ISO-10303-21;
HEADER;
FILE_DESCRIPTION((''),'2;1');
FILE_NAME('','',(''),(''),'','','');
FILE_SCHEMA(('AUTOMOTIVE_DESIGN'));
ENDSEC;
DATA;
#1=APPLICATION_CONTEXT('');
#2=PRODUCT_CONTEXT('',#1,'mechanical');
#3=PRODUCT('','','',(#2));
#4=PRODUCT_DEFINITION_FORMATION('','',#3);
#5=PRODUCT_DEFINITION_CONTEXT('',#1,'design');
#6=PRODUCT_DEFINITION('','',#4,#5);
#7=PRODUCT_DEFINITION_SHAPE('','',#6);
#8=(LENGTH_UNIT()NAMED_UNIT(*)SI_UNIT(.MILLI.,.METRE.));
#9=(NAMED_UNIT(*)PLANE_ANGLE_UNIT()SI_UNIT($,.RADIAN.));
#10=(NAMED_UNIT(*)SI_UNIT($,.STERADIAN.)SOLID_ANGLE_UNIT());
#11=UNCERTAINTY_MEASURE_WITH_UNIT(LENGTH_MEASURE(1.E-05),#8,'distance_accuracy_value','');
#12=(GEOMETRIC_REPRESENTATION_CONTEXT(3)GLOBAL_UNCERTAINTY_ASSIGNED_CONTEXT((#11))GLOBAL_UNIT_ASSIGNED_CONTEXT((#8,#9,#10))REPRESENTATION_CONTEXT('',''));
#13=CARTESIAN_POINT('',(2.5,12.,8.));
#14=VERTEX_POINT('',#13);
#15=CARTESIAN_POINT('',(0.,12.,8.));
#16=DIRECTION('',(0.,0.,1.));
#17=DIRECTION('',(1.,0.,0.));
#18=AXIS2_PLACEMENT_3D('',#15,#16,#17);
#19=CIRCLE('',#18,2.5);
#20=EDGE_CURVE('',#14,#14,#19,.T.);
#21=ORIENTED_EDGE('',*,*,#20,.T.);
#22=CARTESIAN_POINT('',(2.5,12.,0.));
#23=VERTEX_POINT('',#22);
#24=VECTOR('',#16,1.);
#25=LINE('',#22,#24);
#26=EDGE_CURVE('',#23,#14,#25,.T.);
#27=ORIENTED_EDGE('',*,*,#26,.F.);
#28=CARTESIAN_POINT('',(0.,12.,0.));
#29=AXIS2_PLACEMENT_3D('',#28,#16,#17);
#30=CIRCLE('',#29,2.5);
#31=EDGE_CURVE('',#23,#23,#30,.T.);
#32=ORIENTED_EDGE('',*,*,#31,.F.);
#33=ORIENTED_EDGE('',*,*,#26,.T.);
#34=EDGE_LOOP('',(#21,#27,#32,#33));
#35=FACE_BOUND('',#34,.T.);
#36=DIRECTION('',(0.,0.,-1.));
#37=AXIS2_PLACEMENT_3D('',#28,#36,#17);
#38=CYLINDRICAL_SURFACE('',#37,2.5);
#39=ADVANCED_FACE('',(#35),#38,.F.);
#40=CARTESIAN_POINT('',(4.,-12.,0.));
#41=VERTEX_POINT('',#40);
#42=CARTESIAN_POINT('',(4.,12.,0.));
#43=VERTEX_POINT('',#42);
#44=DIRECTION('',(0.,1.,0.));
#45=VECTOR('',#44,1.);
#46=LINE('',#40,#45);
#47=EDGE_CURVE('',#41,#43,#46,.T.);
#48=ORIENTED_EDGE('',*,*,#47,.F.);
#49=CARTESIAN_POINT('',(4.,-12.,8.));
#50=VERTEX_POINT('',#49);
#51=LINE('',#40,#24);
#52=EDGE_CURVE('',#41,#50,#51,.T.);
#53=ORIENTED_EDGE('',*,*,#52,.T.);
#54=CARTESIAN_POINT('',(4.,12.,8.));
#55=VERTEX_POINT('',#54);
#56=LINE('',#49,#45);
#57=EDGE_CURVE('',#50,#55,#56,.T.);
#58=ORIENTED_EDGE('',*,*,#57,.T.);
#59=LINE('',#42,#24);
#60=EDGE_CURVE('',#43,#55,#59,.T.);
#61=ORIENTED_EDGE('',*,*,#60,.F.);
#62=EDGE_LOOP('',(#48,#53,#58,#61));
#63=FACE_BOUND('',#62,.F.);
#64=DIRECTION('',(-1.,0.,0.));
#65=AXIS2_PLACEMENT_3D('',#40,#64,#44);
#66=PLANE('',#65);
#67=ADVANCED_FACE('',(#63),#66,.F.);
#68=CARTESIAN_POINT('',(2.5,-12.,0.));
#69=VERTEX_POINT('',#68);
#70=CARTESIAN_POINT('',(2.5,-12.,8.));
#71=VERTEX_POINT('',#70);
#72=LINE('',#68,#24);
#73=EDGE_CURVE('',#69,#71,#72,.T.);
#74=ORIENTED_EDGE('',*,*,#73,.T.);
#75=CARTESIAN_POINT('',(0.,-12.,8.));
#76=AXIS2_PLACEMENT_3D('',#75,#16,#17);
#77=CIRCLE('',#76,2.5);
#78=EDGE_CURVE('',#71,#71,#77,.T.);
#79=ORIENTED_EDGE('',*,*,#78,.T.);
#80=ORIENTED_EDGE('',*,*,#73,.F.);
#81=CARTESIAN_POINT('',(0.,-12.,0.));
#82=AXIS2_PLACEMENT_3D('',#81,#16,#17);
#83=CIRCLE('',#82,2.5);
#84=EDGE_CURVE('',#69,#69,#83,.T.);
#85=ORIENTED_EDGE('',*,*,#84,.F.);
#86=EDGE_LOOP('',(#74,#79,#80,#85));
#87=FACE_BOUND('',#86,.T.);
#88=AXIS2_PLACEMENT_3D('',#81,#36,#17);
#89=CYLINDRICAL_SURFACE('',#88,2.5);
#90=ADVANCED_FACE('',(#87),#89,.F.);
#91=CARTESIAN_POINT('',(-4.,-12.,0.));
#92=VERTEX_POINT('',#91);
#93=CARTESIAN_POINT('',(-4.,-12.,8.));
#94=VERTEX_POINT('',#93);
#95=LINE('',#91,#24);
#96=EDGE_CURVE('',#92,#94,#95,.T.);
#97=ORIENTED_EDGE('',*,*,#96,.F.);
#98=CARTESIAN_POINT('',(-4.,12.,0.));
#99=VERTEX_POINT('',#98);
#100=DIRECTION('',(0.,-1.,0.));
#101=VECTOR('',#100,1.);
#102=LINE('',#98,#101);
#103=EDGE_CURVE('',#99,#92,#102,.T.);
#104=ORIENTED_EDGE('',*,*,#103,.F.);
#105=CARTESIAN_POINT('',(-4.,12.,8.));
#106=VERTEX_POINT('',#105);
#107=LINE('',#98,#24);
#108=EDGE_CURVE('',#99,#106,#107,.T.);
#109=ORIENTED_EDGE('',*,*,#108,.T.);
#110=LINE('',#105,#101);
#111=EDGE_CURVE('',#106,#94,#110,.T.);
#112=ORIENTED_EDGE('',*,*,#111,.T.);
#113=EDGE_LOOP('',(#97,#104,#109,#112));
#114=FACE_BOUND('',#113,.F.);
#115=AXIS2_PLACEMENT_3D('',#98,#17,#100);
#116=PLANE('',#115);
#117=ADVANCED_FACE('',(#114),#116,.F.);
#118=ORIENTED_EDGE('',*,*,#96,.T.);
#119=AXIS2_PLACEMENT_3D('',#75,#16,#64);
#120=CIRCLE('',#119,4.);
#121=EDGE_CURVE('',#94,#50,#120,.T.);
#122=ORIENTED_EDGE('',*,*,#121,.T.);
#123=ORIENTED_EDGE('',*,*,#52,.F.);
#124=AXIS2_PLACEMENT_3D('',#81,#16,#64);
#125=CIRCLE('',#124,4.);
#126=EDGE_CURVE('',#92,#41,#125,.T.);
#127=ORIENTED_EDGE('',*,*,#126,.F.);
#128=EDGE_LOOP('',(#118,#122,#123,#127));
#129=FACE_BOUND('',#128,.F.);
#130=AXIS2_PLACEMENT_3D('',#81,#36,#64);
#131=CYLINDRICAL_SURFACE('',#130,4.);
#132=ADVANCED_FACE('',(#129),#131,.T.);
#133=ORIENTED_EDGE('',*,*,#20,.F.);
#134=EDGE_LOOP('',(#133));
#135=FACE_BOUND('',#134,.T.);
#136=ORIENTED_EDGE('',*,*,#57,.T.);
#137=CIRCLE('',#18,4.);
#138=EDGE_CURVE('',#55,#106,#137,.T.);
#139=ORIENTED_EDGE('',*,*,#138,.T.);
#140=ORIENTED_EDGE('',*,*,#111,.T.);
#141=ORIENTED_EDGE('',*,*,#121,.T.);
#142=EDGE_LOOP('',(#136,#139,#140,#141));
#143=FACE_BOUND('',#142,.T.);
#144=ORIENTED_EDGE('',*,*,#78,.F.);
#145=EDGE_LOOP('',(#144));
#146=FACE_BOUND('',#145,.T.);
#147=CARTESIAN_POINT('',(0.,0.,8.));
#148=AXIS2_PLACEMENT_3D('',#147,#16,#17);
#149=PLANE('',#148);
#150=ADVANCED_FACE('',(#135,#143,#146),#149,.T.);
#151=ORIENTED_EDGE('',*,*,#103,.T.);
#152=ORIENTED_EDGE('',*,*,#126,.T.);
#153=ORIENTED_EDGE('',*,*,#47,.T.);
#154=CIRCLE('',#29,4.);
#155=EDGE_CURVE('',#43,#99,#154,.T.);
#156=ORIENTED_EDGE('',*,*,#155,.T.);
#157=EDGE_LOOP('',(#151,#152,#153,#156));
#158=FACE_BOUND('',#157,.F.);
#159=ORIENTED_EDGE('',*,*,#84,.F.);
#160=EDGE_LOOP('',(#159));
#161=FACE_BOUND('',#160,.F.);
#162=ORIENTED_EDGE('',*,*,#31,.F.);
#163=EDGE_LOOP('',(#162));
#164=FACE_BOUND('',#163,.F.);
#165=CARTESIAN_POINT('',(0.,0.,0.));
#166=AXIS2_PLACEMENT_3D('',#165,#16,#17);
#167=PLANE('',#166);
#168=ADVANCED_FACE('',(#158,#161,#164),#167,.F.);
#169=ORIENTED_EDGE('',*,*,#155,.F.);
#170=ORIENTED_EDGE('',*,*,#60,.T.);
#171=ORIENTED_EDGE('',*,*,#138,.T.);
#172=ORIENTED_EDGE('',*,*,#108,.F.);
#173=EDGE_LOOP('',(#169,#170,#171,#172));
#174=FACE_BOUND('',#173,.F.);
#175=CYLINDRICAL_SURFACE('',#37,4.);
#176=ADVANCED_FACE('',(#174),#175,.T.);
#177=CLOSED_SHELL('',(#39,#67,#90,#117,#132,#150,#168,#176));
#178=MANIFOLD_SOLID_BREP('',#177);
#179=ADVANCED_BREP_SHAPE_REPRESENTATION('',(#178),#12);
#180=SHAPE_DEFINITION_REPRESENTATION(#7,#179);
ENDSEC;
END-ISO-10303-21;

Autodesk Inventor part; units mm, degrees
ref_plane "YZ Plane" through (0, 0, 0) normal (1, 0, 0) x (0, 1, 0)
ref_plane "XZ Plane" through (0, 0, 0) normal (0, 1, 0) x (-1, 0, 0)
ref_plane "XY Plane" through (0, 0, 0) normal (0, 0, 1) x (1, 0, 0)
sketch "Sketch1" plane through (0, 0, 0) normal (0, 0, 1) x (1, 0, 0)
  line L0 (0, -12) -> (0, 12) construction
  line L1 (4, -12) -> (4, 12)
  line L2 (-4, 12) -> (-4, -12)
  arc A0 (-4, -12) -> (4, -12) centre (0, -12) ccw
  arc A1 (4, 12) -> (-4, 12) centre (0, 12) ccw
  circle A2 centre (0, 12) radius 2.5
  circle A3 centre (0, -12) radius 2.5
  point P0 (0, 0)
  point P1 (0, 0)
  dimension "d0" = 24
  dimension "d1" = 8
  dimension "d2" = 5
  dimension "d3" = 5
extrude "Extrusion1" add sketch "Sketch1" along normal blind 8
properties part number "GearLock"
